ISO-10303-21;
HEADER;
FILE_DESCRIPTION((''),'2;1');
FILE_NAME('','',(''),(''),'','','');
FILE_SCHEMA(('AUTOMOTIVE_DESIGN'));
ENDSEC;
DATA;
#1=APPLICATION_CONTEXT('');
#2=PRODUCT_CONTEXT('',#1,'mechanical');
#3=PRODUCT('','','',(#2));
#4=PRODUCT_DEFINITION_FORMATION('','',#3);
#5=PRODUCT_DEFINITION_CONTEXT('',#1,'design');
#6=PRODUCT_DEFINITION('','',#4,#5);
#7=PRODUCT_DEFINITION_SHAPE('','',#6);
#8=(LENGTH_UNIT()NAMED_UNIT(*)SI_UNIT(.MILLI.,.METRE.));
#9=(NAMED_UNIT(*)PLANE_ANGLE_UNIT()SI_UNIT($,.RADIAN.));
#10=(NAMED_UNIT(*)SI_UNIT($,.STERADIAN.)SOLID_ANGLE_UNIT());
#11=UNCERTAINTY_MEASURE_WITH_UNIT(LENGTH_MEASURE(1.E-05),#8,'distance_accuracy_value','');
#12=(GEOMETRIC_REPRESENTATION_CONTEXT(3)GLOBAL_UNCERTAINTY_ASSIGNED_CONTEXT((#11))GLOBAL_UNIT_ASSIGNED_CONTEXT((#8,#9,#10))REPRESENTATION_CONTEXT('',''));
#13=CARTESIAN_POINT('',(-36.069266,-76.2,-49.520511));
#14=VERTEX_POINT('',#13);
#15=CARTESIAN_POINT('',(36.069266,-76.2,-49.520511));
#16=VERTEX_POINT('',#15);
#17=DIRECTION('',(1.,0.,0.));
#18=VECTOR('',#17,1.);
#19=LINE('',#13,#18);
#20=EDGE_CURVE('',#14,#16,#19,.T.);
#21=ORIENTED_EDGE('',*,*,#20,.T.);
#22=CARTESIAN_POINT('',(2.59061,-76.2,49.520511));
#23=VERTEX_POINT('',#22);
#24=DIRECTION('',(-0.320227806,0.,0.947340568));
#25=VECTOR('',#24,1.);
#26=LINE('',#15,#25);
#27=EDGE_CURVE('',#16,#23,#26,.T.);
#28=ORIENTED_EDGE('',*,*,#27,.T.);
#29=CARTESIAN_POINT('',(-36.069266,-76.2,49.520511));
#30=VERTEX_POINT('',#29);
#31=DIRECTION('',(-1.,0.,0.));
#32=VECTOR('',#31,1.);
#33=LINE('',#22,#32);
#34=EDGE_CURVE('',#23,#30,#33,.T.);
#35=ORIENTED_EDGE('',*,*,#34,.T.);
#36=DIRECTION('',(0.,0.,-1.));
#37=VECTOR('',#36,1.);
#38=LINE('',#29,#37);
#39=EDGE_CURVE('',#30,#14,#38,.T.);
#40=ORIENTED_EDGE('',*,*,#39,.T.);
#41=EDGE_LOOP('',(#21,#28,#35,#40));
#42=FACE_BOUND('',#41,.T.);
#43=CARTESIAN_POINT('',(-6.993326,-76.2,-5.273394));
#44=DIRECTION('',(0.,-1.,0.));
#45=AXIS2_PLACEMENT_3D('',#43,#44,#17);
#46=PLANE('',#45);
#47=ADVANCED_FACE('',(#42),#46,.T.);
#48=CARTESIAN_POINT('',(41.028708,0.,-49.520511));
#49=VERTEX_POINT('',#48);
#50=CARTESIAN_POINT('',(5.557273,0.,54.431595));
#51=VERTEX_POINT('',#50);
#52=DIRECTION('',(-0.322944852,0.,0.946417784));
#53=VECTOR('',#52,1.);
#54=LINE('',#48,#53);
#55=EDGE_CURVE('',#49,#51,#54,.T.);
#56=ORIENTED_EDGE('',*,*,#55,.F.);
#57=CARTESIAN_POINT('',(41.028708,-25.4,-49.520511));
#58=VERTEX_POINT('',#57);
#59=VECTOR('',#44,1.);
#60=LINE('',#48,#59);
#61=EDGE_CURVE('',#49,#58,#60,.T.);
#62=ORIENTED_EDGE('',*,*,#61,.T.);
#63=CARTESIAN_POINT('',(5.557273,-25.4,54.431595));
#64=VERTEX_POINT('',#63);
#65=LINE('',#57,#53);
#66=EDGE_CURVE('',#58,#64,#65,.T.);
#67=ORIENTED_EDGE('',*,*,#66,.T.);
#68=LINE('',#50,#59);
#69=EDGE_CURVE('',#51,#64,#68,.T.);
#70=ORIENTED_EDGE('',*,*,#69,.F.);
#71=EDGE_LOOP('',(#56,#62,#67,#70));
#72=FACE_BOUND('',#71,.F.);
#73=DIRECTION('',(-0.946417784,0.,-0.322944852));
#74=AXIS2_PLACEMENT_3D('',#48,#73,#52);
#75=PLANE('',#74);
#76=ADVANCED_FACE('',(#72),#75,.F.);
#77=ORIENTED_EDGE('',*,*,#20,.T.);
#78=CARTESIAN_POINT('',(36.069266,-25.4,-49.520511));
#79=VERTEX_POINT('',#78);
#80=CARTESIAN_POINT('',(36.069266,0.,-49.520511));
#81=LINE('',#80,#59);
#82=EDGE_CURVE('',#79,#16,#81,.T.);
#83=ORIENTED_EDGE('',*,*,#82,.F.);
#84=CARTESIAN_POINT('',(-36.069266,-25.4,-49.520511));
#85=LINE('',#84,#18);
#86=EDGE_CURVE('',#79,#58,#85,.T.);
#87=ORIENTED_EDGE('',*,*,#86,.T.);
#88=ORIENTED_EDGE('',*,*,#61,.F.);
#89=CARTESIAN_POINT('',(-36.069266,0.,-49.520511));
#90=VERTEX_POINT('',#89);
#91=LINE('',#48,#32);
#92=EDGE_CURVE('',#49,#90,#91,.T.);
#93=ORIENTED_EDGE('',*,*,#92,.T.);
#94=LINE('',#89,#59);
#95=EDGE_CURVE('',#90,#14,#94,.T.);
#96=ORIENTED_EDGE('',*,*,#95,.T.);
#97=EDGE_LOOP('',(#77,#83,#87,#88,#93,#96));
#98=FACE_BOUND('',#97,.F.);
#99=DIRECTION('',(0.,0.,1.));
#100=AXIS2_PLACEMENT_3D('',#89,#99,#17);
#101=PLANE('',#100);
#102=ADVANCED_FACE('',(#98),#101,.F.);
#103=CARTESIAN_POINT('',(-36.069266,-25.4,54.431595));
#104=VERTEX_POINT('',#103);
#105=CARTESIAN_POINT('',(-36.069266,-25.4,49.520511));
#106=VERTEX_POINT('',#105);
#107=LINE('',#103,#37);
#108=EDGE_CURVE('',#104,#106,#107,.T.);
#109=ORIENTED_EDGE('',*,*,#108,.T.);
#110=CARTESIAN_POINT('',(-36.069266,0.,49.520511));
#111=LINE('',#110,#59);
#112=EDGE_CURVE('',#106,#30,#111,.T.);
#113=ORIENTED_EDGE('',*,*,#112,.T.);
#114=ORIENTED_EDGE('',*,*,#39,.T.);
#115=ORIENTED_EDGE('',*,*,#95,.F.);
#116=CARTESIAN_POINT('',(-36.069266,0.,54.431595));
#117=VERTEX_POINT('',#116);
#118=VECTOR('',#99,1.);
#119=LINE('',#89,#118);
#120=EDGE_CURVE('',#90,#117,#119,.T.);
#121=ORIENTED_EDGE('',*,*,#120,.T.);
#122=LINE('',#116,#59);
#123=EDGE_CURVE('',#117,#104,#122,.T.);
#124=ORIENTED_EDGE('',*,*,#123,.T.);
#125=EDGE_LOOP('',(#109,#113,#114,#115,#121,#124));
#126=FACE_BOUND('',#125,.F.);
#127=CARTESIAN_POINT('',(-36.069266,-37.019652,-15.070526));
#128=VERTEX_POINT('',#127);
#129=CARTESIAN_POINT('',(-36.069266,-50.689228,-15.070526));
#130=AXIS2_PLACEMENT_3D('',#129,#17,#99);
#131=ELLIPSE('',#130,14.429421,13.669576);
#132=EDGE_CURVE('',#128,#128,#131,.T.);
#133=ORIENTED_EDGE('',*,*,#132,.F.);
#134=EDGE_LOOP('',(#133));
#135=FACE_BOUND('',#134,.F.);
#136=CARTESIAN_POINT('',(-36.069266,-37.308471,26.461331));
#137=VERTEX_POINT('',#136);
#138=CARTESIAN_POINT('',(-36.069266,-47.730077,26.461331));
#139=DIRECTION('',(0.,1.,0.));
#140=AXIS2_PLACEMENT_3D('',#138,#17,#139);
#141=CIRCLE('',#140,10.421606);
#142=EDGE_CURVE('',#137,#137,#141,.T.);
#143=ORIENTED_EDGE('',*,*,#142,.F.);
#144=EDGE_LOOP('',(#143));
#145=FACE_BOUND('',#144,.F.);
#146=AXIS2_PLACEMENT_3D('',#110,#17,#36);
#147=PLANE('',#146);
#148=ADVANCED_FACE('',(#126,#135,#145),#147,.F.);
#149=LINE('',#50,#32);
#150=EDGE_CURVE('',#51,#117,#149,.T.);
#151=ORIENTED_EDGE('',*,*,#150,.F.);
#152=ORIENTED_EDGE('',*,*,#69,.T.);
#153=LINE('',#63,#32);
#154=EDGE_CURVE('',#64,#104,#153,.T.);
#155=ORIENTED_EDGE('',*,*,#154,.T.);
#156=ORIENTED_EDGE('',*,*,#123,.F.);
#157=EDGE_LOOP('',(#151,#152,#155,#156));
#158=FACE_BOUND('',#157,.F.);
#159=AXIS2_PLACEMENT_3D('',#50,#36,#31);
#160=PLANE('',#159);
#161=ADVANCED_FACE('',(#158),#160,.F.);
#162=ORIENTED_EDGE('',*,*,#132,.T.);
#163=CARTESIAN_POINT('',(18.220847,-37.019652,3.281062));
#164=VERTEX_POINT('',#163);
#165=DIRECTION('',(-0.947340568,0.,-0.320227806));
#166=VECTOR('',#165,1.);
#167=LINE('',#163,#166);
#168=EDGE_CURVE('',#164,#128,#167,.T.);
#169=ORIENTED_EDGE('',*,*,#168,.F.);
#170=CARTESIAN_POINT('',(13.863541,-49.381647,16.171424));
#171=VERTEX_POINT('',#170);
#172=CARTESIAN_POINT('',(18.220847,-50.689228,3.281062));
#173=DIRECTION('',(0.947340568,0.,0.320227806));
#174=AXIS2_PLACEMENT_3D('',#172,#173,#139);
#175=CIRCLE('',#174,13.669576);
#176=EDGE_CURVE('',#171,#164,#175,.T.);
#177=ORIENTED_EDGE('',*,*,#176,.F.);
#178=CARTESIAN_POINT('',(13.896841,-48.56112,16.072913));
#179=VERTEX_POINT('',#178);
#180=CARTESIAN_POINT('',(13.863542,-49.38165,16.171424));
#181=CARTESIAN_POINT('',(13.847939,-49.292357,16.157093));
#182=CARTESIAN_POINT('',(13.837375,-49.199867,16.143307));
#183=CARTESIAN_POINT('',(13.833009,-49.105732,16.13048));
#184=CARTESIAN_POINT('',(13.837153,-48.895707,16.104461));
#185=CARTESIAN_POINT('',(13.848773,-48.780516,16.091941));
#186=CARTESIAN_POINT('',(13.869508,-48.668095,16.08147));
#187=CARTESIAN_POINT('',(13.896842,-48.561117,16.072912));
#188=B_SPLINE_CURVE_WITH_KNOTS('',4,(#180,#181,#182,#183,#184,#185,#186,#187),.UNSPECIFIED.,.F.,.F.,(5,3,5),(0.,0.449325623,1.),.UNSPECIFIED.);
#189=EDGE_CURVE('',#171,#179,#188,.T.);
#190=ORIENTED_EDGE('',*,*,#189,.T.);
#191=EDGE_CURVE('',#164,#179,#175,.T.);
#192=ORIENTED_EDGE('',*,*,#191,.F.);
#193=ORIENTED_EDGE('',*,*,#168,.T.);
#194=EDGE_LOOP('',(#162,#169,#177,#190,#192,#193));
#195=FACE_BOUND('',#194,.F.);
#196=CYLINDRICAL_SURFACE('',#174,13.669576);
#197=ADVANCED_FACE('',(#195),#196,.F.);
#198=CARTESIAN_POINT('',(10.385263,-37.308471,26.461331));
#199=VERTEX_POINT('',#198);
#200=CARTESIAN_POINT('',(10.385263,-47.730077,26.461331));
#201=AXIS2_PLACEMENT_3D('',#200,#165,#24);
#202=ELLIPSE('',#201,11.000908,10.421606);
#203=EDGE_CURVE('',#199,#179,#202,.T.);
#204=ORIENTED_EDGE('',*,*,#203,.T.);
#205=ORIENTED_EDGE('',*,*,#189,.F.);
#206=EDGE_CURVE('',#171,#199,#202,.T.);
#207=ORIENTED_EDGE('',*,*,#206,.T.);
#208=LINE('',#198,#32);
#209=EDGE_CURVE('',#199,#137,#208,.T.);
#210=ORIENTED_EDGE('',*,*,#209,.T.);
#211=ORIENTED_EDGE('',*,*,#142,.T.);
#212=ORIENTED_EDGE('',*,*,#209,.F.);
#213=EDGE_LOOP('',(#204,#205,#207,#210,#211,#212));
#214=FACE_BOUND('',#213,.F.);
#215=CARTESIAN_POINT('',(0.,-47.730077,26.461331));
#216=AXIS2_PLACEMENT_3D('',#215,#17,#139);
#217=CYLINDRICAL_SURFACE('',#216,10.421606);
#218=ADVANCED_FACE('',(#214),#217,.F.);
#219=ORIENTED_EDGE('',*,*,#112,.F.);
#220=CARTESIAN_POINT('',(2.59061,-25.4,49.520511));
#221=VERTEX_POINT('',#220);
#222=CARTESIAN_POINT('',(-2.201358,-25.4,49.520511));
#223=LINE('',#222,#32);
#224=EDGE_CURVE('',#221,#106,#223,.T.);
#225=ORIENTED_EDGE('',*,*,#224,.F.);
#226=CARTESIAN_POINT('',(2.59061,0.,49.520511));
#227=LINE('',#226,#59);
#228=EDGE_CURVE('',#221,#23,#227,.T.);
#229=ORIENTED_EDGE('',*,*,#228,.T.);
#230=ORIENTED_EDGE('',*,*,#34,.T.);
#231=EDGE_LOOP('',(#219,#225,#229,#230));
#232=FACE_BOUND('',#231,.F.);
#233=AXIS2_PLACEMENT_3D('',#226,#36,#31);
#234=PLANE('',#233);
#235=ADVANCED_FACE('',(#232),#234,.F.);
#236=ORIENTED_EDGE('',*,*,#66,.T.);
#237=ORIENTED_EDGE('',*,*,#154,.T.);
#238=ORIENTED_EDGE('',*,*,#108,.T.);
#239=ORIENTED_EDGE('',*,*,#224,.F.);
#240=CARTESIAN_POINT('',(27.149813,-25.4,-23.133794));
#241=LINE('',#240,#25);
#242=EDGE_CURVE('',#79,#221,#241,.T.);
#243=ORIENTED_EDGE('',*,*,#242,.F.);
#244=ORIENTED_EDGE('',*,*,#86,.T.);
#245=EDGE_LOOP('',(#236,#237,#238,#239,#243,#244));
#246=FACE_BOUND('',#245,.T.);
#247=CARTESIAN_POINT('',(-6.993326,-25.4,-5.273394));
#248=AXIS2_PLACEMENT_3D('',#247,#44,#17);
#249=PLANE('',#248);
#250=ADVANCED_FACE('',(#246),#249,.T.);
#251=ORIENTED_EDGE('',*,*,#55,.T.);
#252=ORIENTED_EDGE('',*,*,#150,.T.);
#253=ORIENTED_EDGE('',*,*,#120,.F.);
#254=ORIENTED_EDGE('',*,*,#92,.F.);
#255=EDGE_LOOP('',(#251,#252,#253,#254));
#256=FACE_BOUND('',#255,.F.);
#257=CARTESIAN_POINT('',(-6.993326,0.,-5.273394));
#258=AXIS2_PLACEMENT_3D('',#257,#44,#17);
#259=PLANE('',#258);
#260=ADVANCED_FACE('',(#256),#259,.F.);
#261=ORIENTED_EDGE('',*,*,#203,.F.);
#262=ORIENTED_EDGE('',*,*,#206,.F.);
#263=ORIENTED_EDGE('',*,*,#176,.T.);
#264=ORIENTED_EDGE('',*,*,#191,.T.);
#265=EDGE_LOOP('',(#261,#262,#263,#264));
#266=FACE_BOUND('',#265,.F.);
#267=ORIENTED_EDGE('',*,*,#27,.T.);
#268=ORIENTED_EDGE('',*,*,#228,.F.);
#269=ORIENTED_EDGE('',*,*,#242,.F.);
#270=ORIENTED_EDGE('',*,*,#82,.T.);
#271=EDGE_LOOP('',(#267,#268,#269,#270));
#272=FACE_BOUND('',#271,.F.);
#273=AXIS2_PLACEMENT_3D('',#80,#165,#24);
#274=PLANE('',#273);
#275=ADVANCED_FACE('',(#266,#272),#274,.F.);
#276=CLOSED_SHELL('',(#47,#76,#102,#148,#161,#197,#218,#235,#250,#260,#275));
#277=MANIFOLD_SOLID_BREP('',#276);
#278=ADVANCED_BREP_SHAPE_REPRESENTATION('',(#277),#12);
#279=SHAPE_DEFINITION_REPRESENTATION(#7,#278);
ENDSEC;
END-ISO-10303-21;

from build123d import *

# Parameters (mm, degrees)
F1_DEPTH      = 76.2
F2_DEPTH      = 25.4
F3_R          = 13.6695760471
F4_DEPTH      = 120.65
F5_R          = 10.4216060464
F6_DEPTH      = 108.204
F6_DEPTH_BACK = 97.028


with BuildPart() as f1:
    # F0 (on Front) → F1 (new body)
    with BuildSketch(Plane.XZ):
        Polygon((36.0692664981, -49.5205111802), (2.5906101801, 49.5205111802), (-36.0692664981, 49.5205111802), (-36.0692664981, -49.5205111802), align=None)
    extrude(amount=F1_DEPTH)

    # F0 (on Front) → F2 (join)
    with BuildSketch(Plane.XZ):
        Polygon((36.0692664981, -49.5205111802), (2.5906101801, 49.5205111802), (-36.0692664981, 49.5205111802), (-36.0692664981, -49.5205111802), align=None)
        Polygon((-36.0692664981, 49.5205111802), (2.5906101801, 49.5205111802), (36.0692664981, -49.5205111802), (41.0287082195, -49.5205111802), (5.5572725832, 54.4315949082), (-36.0692664981, 54.4315949082), align=None)
    extrude(amount=F2_DEPTH)

    # F3 (on face) → F4 (cut)
    with BuildSketch(Plane(origin=(17.3477334247, 0, 5.8640227189), x_dir=(0, 1, 0), z_dir=(0.9473405682, 0, 0.3202278061))):
        with Locations((-50.689227879, -2.7265385725)):
            Circle(F3_R)
    extrude(amount=-F4_DEPTH, mode=Mode.SUBTRACT)

    # F5 (on Right) → F6 (cut, two sides)
    with BuildSketch(Plane.YZ) as f6_sk:
        with Locations((-47.7300770581, 26.4613311738)):
            Circle(F5_R)
    extrude(amount=F6_DEPTH, mode=Mode.SUBTRACT)
    extrude(f6_sk.sketch, amount=-F6_DEPTH_BACK, mode=Mode.SUBTRACT)


solid = f1.part
